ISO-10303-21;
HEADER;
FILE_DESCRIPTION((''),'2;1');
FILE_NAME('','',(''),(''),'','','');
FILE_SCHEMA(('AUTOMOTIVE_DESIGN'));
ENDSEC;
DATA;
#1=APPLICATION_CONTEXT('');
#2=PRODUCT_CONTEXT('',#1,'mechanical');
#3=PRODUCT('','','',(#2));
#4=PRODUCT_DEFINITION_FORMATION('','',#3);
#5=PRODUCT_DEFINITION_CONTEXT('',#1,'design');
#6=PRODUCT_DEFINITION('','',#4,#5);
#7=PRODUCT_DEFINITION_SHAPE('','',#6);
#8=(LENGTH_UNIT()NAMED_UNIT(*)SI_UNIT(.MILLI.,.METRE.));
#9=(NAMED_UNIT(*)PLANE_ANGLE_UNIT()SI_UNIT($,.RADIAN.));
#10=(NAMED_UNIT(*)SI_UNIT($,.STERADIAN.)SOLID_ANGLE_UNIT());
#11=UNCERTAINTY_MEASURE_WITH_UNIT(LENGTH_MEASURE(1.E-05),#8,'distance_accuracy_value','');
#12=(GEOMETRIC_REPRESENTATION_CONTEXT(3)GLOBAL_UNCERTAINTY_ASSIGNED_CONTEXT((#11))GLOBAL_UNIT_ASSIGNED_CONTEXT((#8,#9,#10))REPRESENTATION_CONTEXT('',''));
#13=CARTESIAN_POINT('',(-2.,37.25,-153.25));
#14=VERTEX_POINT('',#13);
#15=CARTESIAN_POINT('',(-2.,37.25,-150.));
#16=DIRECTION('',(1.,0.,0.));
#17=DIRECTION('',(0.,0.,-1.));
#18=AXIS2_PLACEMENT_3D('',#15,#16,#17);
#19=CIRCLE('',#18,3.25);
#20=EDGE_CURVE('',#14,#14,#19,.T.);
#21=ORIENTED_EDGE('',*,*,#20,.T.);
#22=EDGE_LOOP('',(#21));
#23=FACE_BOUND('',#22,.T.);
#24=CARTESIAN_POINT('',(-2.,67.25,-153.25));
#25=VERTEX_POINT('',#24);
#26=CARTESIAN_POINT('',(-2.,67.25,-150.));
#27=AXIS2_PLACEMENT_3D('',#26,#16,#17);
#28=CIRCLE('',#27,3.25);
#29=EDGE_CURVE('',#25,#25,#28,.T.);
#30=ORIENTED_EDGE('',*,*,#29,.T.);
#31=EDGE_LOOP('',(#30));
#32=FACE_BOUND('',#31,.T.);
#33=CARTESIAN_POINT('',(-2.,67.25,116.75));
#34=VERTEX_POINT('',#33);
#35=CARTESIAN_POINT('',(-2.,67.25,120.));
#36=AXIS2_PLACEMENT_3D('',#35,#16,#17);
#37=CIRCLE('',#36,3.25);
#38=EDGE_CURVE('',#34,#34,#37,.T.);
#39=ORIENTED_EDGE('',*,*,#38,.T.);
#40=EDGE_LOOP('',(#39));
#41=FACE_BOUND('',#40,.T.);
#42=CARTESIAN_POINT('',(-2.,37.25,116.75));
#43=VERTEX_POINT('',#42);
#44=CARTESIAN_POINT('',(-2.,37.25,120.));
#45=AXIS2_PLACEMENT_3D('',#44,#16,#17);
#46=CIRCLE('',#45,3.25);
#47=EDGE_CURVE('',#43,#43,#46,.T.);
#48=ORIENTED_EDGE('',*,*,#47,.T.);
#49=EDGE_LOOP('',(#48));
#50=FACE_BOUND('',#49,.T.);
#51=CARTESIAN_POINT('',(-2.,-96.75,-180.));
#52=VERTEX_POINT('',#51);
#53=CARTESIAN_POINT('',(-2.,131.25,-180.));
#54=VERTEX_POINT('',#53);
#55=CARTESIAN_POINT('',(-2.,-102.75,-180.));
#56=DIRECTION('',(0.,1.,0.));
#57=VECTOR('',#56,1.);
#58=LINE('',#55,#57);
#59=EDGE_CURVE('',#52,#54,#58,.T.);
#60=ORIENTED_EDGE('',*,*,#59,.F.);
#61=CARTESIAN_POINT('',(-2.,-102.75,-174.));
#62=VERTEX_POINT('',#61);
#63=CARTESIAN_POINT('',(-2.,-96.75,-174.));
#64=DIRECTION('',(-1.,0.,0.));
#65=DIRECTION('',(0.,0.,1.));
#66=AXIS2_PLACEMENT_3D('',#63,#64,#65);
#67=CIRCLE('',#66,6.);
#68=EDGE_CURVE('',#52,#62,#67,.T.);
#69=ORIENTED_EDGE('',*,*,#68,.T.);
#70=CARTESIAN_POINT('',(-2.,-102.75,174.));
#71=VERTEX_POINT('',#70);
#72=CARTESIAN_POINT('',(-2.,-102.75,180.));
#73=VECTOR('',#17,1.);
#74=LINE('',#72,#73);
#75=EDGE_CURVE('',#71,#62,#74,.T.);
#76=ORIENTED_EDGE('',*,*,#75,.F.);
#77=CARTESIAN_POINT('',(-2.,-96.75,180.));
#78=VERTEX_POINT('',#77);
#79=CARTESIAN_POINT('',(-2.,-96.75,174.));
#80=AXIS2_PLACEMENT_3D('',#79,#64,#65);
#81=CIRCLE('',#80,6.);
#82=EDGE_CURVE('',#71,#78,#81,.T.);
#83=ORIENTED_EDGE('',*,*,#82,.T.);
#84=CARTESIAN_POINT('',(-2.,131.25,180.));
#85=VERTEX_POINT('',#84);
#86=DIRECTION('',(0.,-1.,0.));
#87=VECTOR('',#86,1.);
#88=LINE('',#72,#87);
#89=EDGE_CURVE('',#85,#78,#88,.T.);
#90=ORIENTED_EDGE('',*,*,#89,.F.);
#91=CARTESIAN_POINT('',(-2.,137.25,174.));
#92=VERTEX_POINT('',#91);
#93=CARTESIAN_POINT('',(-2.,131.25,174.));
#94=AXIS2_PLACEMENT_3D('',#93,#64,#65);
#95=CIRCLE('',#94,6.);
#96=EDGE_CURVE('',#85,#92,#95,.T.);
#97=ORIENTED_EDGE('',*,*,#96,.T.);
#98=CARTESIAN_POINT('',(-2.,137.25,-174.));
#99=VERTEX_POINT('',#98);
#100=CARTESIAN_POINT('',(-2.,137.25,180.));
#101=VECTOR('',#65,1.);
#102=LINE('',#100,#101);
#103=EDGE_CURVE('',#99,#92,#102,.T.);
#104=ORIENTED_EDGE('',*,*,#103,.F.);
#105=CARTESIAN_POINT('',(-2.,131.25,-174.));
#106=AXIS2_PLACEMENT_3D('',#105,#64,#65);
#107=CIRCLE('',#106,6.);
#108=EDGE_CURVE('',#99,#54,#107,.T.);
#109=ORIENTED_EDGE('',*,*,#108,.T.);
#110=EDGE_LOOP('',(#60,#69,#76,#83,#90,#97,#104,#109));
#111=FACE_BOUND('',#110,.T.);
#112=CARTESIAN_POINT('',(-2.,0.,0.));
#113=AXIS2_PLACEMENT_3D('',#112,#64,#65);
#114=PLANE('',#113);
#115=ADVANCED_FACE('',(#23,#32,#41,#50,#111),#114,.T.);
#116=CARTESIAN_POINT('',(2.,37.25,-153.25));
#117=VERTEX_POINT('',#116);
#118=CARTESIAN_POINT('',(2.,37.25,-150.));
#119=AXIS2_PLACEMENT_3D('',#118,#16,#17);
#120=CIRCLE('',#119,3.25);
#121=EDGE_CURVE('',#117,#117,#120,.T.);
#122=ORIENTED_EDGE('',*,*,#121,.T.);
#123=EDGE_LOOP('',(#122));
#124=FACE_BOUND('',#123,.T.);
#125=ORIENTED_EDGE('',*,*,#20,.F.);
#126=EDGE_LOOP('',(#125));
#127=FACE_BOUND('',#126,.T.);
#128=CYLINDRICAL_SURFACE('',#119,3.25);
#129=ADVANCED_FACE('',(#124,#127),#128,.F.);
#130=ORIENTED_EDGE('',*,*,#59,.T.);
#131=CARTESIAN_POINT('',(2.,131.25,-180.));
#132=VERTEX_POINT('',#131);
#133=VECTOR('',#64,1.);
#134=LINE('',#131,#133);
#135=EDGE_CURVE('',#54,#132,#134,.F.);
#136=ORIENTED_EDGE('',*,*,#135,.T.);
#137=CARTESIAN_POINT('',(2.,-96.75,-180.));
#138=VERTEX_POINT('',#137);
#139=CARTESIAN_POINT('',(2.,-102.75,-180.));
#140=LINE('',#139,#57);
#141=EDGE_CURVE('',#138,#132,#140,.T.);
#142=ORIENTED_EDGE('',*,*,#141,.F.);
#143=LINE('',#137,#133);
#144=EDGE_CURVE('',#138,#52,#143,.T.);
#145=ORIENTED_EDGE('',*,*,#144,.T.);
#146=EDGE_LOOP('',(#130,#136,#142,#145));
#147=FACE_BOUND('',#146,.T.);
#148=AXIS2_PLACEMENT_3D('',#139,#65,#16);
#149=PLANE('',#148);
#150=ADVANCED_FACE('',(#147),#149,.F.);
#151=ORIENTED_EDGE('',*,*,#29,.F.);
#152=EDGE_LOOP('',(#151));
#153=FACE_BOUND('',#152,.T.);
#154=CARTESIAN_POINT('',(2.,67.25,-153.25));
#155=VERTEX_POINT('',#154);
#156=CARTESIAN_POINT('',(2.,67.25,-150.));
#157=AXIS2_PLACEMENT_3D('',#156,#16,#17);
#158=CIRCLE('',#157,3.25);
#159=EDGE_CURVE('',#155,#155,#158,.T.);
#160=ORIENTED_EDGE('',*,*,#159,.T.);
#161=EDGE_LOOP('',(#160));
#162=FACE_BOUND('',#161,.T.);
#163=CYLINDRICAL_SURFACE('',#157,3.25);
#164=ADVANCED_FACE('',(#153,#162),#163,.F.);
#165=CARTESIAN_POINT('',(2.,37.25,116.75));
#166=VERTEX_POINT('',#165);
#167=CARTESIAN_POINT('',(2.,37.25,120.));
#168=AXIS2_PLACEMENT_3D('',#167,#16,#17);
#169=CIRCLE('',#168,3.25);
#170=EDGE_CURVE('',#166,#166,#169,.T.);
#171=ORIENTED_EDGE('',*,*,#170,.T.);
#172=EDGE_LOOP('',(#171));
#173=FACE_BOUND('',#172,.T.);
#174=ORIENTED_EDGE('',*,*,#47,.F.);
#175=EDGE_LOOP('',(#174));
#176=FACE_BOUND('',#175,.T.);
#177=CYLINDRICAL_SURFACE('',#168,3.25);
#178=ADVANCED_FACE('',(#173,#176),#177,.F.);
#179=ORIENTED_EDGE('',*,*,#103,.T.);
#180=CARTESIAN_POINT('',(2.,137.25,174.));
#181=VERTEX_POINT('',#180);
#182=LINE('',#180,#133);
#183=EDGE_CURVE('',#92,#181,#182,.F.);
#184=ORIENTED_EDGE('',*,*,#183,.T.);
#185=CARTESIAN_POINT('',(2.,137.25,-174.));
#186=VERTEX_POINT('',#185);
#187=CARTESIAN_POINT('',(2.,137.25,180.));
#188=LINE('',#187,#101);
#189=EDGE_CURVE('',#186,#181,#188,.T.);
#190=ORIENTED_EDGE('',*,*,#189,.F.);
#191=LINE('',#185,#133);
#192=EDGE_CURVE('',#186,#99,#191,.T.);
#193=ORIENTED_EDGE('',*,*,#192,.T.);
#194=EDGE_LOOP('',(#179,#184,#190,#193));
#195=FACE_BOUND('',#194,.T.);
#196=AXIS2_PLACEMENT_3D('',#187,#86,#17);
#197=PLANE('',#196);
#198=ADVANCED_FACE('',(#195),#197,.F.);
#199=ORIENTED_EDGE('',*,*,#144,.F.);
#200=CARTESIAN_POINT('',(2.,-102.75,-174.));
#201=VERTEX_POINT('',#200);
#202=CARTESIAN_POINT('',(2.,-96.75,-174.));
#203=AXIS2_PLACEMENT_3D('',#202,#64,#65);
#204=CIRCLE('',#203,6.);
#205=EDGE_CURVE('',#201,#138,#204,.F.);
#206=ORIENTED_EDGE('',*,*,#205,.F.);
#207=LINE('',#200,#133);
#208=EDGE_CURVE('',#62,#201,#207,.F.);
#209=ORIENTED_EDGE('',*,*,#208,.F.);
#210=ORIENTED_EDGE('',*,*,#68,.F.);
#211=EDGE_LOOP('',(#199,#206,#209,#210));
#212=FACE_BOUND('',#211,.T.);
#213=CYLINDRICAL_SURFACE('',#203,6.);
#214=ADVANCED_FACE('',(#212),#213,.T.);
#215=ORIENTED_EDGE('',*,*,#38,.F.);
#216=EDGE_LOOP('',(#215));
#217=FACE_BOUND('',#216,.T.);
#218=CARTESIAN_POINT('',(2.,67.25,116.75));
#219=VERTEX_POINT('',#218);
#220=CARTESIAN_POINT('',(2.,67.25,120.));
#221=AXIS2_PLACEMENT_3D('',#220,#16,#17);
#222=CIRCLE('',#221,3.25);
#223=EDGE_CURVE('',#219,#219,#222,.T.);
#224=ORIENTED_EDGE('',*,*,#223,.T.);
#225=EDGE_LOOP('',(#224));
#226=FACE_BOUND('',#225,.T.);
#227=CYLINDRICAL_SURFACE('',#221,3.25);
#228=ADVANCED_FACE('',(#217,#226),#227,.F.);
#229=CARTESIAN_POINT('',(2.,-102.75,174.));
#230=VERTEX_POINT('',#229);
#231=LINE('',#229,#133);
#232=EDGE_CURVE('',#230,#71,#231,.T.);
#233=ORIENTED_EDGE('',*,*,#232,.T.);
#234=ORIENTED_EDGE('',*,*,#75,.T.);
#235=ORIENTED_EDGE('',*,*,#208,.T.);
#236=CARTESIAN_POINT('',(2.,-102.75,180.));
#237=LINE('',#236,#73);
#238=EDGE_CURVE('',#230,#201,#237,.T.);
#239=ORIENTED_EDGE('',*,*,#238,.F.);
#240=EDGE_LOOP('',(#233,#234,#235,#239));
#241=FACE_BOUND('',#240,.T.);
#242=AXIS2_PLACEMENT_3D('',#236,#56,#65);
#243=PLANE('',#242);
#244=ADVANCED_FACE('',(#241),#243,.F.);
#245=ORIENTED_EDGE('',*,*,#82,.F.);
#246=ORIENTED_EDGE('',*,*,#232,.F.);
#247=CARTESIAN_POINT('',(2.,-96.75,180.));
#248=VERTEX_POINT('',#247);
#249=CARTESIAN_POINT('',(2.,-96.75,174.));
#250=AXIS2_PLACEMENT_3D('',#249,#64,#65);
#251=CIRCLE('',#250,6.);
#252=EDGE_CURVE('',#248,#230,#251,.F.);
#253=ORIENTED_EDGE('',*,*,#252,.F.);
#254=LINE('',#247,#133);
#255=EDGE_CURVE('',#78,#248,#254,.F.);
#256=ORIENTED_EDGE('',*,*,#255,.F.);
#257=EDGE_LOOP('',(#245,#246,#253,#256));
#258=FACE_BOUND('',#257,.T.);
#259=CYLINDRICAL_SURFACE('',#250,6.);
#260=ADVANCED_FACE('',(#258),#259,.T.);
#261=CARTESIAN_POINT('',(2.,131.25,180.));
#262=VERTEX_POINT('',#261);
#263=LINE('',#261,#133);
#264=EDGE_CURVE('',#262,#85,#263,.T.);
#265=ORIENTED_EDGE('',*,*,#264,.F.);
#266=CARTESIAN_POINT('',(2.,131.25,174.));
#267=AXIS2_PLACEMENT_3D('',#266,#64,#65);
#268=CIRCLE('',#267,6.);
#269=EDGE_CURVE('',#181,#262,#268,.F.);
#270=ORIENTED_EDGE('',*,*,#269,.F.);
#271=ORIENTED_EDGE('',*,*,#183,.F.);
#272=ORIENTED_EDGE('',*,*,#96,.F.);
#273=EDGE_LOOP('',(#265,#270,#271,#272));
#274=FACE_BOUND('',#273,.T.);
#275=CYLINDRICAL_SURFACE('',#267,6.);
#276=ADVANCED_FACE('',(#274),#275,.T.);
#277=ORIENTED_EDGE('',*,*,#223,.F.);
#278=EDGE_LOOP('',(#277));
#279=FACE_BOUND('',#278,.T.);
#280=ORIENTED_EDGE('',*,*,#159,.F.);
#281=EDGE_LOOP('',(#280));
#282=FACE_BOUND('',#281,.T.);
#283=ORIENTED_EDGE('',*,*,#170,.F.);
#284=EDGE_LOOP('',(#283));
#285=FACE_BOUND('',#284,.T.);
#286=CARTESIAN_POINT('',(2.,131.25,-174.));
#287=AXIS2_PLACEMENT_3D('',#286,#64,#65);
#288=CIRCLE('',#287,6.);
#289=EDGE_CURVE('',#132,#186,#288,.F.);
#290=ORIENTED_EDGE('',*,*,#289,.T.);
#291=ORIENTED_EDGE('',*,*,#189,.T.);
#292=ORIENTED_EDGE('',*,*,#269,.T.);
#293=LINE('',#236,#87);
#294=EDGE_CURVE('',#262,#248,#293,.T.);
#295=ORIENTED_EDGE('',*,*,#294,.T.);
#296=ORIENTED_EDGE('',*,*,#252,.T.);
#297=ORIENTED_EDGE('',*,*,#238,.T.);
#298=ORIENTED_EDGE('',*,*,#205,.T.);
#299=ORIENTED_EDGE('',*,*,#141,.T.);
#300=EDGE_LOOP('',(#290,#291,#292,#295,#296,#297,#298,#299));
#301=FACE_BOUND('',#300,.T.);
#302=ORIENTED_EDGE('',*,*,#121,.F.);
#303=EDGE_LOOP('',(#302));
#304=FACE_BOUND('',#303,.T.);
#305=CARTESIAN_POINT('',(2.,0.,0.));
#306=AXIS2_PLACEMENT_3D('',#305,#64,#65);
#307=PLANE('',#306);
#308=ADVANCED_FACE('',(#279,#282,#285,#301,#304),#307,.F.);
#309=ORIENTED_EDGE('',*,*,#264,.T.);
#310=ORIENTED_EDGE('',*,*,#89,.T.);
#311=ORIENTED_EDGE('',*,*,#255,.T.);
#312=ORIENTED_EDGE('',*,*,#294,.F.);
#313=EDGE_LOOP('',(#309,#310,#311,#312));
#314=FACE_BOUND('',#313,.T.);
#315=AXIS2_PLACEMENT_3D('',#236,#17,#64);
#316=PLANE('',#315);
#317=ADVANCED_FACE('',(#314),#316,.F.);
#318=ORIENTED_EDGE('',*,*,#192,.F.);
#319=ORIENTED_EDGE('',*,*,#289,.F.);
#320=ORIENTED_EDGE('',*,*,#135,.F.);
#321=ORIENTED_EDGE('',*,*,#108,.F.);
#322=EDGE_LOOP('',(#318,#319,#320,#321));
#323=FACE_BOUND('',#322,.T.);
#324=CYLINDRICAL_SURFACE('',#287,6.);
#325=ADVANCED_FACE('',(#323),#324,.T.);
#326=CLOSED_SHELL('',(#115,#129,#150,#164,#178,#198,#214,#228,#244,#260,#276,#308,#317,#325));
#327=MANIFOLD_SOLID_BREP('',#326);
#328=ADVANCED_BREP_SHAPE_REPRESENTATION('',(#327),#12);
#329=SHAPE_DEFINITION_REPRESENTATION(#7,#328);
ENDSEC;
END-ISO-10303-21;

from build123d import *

# Parameters (mm, degrees)
SKETCH1_W                  = 360
SKETCH1_H                  = 240
BOSS_EXTRUDE1_DEPTH        = 2
FILLET3_R                  = 6
F_6_5_6_5_DIAMETER_HOLE1_D = 6.5


with BuildPart() as part:
    # Sketch1 → Boss-Extrude1 (new, symmetric)
    with BuildSketch(Plane(origin=(0, 0, 0), x_dir=(0, 0, -1), z_dir=(1, 0, 0))):
        with Locations((0, 17.25)):
            Rectangle(SKETCH1_W, SKETCH1_H)
    extrude(amount=BOSS_EXTRUDE1_DEPTH, both=True)

    # Fillet3
    fillet3_edges = [part.edges().sort_by_distance(p)[0] for p in [
        (0, -102.75, -180),
        (0, -102.75, 180),
        (0, 137.25, 180),
        (0, 137.25, -180),
    ]]
    fillet(fillet3_edges, radius=FILLET3_R)

    # Ø6.5 (6.5) Diameter Hole1 (through all)
    with Locations(Plane(origin=(2, 0, 0), x_dir=(0, 0, -1), z_dir=(1, 0, 0))):
        with Locations((-120, 67.25), (150, 37.25), (-120, 37.25), (150, 67.25)):
            Hole(F_6_5_6_5_DIAMETER_HOLE1_D / 2)


solid = part.part
